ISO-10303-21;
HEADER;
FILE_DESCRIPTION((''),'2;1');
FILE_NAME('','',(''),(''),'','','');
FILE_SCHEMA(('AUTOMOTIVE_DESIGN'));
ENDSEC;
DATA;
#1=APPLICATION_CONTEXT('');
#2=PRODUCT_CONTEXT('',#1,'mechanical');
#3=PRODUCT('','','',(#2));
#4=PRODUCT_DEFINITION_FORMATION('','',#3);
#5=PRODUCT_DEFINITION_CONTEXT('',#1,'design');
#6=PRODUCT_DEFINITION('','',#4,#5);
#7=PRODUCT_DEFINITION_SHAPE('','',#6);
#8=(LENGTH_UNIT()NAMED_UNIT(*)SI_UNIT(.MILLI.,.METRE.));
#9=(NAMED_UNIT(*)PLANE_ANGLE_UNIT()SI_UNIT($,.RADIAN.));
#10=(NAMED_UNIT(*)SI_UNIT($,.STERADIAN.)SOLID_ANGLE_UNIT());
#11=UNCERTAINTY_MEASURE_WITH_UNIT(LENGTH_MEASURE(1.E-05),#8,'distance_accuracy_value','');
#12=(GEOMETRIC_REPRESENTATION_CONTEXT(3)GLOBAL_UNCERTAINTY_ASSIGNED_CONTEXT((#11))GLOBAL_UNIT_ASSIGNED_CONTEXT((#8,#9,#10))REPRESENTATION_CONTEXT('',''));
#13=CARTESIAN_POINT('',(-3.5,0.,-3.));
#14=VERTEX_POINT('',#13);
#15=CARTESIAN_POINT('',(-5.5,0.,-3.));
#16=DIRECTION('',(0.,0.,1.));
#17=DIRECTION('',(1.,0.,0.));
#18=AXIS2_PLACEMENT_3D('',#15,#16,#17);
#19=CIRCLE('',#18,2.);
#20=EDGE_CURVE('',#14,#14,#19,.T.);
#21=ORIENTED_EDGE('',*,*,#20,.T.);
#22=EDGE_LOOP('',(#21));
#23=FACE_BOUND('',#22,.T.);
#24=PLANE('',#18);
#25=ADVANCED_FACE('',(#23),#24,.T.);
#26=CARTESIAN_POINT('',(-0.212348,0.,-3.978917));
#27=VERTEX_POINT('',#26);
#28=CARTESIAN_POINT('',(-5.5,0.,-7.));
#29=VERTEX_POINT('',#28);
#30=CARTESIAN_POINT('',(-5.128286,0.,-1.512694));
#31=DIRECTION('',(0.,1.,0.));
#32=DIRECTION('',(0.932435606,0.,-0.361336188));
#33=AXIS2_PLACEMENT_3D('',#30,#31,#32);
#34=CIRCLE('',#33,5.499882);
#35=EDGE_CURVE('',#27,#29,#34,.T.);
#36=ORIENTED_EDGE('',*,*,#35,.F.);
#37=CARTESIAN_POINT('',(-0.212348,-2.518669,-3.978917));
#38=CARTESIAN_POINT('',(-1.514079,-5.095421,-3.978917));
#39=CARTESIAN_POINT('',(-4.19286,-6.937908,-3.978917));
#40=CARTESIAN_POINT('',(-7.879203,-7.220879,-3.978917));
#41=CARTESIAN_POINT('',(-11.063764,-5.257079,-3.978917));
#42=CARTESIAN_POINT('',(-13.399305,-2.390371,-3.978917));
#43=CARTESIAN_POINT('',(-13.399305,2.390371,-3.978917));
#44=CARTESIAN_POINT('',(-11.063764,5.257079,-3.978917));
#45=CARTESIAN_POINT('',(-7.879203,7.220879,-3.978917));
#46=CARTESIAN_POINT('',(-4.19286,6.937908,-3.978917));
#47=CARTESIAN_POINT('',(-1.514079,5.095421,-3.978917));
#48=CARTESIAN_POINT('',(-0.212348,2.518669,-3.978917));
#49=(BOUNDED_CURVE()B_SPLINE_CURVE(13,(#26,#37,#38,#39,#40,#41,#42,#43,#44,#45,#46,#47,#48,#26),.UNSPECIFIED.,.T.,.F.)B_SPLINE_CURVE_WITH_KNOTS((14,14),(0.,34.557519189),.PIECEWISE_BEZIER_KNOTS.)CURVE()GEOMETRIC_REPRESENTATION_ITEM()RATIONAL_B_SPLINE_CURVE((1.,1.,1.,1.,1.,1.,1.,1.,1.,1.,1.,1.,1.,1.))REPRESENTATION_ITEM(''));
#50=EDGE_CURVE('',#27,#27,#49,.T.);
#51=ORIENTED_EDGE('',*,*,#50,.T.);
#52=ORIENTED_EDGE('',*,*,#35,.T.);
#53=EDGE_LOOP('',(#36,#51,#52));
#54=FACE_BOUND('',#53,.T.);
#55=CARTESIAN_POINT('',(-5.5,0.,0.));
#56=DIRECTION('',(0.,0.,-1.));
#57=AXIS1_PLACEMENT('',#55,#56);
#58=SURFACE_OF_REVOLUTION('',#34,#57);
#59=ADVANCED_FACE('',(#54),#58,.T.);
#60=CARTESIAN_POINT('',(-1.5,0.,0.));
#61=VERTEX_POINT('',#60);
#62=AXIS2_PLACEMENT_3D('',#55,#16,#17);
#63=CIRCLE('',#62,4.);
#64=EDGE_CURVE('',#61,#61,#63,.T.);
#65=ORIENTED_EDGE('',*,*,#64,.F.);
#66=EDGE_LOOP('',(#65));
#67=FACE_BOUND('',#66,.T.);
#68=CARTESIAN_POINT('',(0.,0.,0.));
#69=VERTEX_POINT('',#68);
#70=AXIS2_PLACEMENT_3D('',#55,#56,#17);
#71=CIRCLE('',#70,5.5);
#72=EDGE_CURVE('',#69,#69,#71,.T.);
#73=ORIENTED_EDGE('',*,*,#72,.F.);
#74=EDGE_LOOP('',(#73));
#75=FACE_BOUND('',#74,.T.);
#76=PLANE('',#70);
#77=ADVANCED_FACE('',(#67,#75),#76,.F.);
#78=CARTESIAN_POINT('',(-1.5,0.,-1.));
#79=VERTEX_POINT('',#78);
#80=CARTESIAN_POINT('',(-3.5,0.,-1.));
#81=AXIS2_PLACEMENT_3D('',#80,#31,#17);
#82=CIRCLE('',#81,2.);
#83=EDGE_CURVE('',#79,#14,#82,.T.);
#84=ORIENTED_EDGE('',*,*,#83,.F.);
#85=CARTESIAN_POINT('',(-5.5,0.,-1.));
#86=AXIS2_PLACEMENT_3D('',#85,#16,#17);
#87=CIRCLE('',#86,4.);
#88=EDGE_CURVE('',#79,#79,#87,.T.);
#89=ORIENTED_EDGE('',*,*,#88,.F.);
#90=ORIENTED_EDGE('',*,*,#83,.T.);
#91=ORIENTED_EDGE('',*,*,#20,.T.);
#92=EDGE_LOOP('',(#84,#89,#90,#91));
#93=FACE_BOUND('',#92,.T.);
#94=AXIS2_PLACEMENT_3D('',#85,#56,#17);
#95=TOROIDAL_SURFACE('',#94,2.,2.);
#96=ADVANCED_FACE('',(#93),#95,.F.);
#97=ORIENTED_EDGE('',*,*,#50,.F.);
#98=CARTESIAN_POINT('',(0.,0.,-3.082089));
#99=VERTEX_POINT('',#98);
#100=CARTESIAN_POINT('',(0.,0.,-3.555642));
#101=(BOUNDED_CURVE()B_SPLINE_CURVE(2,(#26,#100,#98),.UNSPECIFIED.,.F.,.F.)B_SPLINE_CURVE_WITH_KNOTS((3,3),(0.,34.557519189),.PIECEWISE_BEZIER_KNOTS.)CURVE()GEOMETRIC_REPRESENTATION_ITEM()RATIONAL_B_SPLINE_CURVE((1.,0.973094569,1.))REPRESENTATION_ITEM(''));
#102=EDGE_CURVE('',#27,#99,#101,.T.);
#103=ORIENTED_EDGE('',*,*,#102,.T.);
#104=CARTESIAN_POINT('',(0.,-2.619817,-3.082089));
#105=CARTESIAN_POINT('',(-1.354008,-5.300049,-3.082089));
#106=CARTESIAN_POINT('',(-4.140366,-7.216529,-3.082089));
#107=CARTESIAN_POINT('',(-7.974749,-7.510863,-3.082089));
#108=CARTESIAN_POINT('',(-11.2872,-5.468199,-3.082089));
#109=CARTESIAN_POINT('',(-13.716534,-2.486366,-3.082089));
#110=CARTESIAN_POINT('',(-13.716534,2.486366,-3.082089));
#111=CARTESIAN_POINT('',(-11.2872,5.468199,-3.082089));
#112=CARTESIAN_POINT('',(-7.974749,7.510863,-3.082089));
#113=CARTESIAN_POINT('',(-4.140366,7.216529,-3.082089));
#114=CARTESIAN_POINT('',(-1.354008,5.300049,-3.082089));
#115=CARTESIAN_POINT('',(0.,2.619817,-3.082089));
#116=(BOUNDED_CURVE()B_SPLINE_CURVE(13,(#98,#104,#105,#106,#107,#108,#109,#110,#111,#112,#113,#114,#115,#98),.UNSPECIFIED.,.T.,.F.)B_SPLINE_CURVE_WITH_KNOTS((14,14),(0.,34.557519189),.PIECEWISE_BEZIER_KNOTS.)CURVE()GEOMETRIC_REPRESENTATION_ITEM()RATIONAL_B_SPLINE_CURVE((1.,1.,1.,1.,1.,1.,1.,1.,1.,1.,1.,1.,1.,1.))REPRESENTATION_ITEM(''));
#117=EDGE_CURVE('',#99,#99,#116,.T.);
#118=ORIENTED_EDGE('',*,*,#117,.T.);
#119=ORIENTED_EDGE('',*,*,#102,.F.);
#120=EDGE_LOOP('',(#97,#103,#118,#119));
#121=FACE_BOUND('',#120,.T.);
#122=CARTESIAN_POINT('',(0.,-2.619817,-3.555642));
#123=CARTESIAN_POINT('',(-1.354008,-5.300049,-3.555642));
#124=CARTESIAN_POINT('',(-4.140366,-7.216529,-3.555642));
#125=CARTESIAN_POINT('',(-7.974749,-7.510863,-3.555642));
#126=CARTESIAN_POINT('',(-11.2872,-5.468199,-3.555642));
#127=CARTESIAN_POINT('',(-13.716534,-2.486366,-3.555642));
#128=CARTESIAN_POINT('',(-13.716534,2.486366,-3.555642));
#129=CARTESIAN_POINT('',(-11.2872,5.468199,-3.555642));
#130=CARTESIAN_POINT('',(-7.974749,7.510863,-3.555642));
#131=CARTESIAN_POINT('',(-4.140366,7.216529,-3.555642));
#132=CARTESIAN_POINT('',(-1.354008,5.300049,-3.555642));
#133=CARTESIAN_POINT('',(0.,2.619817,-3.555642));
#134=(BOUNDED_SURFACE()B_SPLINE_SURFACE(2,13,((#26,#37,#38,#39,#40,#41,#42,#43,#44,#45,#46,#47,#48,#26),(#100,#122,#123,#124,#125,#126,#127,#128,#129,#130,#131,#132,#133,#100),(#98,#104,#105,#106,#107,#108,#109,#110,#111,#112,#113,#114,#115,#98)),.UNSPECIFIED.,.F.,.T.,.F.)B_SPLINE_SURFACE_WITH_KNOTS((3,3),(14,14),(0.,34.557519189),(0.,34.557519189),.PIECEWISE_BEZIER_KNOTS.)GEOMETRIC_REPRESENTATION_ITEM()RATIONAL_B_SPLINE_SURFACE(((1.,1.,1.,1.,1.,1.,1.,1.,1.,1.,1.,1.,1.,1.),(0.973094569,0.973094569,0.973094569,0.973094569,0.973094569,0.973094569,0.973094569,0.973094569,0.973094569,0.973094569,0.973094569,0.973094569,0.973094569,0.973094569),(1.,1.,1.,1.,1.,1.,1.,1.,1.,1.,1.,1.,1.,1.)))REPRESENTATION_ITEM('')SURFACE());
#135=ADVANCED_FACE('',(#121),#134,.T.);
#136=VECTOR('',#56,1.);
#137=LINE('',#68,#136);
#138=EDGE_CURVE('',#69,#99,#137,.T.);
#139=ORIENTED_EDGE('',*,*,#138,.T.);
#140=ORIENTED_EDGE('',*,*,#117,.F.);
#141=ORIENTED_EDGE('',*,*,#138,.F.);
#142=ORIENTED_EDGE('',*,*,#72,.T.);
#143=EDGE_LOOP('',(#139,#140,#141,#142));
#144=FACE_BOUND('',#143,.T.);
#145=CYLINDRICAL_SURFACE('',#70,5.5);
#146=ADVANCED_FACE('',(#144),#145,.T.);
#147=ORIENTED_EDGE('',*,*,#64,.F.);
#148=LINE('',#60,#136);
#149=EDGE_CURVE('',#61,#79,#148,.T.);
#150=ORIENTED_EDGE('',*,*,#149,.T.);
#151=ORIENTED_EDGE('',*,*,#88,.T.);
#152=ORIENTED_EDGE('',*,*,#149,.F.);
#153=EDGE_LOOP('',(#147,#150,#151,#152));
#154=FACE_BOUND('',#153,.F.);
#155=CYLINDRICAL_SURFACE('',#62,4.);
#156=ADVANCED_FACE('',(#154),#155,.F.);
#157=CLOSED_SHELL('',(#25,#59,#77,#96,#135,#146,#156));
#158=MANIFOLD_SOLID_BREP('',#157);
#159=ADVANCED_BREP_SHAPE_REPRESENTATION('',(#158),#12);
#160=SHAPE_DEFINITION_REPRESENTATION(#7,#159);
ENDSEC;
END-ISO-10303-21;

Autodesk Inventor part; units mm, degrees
ref_plane "YZ Plane" through (0, 0, 0) normal (1, 0, 0) x (0, 1, 0)
ref_plane "XZ Plane" through (0, 0, 0) normal (0, 1, 0) x (-1, 0, 0)
ref_plane "XY Plane" through (0, 0, 0) normal (0, 0, 1) x (1, 0, 0)
sketch "Sketch1" plane through (0, 0, 0) normal (0, 1, 0) x (-1, 0, 0)
  line L0 (5.5, 0) -> (0, 0)
  line L1 (0, 0) -> (0, -3.5)
  line L2 (5.5, 0) -> (5.5, -7)
  arc A0 (0, -3.5) -> (5.5, -7) centre (5.1284, -1.5126) ccw
  dimension "d2" = 3.5
  dimension "d6" = 7
  dimension "d7" = 5.5
  dimension "d8" = 5.5
  dimension "d9" = 1.5126
revolve "Revolution1" add sketch "Sketch1" angle 360 about axis through (-5.5, 0, 0) along (0, 0, -1)
fillet "Fillet1" radius 2 1 edges at (-11, 0, -3.5)
sketch "Sketch2" plane through (-5.5, 0, 0) normal (0, 0, 1) x (1, 0, 0)
  point P0 (5.5, 0)
sketch "Sketch3" plane through (-5.5, 0, 0) normal (0, 0, 1) x (1, 0, 0)
  circle A0 centre (0, 0) radius 4
  circle A1 centre (0, 0) radius 5.5 projected
  point P0 (5.5, 0)
  dimension "d12" = 8
  dimension "d13" = 1.5
extrude "Extrusion1" cut sketch "Sketch3" against normal blind 3 contours A0
fillet "Fillet2" radius 2 1 edges at (-9.5, 0, -3)
properties part number "Part1 finger tip(middle)"
